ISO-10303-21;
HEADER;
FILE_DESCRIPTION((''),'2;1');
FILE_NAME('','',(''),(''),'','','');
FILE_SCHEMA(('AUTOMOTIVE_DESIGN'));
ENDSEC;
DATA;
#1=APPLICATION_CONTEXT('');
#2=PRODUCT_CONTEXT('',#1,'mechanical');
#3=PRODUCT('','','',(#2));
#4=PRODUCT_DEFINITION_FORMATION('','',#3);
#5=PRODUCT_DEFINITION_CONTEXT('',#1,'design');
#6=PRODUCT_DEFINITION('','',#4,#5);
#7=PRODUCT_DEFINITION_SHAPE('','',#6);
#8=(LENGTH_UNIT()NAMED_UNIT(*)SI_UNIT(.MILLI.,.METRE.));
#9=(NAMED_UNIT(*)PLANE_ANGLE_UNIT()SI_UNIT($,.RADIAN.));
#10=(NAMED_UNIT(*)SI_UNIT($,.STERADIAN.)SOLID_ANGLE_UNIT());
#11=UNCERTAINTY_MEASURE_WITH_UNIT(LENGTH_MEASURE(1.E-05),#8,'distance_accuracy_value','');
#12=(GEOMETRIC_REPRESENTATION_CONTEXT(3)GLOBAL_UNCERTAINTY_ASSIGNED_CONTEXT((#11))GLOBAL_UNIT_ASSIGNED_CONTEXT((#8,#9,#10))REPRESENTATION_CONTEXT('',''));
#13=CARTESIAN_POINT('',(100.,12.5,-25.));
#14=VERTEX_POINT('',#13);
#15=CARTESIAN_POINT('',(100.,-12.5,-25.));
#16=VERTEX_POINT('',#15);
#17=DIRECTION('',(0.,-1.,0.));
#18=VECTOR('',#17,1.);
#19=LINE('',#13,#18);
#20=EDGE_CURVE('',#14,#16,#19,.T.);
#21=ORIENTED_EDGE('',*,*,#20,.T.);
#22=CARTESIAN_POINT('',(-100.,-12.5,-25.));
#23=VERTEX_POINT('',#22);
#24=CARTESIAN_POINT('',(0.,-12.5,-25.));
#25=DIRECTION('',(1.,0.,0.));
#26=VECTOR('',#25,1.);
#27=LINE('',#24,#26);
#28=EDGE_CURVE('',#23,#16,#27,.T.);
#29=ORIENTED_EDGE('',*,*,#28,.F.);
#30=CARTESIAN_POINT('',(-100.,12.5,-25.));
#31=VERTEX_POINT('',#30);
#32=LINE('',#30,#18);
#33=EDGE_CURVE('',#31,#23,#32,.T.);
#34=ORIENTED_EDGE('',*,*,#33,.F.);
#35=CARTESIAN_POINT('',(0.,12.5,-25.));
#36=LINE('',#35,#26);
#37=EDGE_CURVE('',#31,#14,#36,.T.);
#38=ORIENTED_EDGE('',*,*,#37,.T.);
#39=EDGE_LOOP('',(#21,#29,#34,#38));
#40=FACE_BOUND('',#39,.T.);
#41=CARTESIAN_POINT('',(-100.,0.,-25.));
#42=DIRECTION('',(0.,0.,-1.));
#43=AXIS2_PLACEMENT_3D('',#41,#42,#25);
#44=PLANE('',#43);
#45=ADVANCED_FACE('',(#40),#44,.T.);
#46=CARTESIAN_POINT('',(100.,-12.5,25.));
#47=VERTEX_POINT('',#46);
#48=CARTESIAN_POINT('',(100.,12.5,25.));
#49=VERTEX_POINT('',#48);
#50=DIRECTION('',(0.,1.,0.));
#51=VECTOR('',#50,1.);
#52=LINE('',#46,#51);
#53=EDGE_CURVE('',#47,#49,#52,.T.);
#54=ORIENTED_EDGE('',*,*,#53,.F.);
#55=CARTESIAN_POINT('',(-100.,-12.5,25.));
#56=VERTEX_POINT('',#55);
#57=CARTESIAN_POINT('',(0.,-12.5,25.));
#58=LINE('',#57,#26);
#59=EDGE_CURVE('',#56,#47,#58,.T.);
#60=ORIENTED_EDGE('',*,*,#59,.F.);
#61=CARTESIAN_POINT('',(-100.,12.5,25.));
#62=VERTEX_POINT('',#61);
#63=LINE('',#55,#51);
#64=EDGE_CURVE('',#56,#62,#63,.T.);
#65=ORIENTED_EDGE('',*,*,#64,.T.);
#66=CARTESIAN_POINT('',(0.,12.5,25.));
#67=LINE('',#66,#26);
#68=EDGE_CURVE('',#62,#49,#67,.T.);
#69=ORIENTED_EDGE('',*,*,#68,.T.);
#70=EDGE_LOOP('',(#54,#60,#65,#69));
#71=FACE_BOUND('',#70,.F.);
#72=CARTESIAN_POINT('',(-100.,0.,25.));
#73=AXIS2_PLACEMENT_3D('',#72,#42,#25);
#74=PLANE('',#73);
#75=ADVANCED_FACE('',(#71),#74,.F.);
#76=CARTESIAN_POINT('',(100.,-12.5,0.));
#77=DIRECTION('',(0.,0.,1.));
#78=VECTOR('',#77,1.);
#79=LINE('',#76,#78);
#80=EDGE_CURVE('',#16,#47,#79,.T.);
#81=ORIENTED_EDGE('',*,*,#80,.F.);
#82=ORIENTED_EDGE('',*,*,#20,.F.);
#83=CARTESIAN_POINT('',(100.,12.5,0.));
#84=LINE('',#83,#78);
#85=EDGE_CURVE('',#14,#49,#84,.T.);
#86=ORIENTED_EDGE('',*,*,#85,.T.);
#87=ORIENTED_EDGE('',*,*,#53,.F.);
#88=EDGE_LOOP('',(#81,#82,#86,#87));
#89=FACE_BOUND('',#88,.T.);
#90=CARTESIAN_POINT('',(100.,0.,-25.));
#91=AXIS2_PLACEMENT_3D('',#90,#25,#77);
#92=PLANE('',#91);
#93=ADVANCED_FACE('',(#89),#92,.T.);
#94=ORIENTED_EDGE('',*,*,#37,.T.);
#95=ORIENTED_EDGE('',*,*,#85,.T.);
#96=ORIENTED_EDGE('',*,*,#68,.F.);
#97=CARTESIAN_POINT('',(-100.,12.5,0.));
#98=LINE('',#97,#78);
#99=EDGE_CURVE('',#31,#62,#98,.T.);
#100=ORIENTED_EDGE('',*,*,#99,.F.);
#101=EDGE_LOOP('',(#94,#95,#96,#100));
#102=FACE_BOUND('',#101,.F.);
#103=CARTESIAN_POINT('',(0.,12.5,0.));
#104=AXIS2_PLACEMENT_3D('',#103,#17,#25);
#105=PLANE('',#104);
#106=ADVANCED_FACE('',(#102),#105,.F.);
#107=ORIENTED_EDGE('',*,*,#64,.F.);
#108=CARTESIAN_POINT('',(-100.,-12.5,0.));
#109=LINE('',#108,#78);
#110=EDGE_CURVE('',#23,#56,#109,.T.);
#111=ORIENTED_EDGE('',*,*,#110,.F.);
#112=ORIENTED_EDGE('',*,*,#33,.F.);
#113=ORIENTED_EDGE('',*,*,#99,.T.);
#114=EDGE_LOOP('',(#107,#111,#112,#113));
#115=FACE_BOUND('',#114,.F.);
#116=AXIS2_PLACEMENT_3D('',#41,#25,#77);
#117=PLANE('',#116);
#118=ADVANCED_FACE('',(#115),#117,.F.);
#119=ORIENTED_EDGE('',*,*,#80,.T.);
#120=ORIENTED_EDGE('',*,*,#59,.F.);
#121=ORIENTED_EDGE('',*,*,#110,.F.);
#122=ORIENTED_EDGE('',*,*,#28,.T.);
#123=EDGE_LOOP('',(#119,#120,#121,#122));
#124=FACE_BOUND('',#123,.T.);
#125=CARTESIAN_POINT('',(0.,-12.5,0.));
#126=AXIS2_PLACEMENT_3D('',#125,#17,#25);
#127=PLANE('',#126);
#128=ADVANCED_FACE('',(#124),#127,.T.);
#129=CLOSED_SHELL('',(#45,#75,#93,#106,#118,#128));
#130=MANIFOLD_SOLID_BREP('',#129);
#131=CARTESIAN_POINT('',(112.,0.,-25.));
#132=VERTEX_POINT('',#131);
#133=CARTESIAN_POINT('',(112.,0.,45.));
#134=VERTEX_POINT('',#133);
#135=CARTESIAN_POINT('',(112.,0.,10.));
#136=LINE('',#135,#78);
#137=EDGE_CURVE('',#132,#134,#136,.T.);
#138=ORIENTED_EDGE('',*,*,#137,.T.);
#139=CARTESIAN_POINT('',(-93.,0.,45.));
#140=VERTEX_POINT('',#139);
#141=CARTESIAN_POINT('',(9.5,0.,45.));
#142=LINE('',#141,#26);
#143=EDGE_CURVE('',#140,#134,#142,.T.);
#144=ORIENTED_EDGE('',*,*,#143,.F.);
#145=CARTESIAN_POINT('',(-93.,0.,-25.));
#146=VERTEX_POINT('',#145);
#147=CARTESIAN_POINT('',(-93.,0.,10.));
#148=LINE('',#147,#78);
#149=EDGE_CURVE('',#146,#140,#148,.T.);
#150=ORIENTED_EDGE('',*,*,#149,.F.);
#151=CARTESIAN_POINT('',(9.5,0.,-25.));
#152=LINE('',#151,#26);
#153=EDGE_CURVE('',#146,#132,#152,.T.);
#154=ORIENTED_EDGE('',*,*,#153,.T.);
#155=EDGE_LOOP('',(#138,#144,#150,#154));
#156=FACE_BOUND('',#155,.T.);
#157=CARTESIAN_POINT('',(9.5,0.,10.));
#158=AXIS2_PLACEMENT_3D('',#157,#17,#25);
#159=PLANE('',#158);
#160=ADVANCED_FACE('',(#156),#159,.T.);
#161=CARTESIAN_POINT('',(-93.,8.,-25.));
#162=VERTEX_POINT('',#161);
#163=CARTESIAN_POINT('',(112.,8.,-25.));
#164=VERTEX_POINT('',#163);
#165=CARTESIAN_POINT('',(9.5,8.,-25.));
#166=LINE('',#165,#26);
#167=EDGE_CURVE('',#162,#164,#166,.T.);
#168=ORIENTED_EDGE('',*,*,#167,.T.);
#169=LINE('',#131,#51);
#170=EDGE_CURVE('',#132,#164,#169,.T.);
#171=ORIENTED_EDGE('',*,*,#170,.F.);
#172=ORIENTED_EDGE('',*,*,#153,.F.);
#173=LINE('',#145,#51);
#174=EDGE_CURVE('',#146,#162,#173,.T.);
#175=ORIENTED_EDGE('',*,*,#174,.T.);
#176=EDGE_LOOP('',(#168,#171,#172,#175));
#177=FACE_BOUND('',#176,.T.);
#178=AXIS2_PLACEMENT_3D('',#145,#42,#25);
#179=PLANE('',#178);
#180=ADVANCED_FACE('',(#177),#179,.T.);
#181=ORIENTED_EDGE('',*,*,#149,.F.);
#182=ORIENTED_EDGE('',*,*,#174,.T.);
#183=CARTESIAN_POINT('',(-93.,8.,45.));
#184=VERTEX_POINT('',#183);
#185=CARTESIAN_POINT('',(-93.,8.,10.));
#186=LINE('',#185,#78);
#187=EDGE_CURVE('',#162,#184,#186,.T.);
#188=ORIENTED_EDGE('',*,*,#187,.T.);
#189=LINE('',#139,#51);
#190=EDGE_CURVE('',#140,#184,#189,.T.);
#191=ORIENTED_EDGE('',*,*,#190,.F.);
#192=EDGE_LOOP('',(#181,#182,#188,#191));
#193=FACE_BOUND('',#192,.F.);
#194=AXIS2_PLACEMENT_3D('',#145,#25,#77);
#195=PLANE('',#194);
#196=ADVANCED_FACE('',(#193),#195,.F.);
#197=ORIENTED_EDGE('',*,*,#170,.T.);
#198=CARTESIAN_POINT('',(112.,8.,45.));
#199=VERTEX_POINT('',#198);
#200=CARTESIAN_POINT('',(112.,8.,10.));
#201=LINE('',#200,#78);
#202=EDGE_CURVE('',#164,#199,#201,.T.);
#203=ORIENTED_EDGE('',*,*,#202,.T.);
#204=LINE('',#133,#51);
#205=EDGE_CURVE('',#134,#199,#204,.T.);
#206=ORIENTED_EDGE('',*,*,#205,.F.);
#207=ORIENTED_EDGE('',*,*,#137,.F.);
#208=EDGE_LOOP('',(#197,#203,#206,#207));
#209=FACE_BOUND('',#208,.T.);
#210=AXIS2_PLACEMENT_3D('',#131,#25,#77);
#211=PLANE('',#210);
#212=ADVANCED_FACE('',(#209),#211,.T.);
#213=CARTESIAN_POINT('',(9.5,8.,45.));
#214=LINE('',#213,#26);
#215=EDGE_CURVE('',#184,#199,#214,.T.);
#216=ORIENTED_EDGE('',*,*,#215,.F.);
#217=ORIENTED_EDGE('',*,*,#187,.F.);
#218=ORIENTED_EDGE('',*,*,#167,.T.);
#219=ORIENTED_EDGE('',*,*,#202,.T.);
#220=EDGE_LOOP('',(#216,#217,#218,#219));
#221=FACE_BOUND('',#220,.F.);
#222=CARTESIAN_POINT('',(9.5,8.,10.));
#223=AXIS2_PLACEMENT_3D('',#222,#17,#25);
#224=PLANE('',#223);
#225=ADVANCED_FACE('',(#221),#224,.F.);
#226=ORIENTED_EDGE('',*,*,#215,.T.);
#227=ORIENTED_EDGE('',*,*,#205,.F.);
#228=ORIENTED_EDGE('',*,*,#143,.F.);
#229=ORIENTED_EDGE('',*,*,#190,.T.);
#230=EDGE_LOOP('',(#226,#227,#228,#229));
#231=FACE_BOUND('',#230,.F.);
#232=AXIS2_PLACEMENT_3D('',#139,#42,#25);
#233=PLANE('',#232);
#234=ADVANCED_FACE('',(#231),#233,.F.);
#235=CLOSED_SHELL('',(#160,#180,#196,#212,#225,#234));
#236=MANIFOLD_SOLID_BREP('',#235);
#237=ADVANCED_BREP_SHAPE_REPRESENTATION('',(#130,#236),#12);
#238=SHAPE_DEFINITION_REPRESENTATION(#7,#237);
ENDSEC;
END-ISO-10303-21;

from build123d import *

# Parameters (mm, degrees)
F0_W     = 200
F0_H     = 50
F1_DEPTH = 12.5
F2_W     = 205
F2_H     = 70
F3_DEPTH = 8


with BuildPart() as f1:
    # F0 (on Front) → F1 (new body, symmetric)
    with BuildSketch(Plane.XZ):
        Rectangle(F0_W, F0_H)
    extrude(amount=F1_DEPTH, both=True)


with BuildPart() as f3:
    # F2 (on Front) → F3 (new body)
    with BuildSketch(Plane.XZ):
        with Locations((9.5, 10)):
            Rectangle(F2_W, F2_H)
    extrude(amount=-F3_DEPTH)


solid = Compound([f1.part, f3.part])
